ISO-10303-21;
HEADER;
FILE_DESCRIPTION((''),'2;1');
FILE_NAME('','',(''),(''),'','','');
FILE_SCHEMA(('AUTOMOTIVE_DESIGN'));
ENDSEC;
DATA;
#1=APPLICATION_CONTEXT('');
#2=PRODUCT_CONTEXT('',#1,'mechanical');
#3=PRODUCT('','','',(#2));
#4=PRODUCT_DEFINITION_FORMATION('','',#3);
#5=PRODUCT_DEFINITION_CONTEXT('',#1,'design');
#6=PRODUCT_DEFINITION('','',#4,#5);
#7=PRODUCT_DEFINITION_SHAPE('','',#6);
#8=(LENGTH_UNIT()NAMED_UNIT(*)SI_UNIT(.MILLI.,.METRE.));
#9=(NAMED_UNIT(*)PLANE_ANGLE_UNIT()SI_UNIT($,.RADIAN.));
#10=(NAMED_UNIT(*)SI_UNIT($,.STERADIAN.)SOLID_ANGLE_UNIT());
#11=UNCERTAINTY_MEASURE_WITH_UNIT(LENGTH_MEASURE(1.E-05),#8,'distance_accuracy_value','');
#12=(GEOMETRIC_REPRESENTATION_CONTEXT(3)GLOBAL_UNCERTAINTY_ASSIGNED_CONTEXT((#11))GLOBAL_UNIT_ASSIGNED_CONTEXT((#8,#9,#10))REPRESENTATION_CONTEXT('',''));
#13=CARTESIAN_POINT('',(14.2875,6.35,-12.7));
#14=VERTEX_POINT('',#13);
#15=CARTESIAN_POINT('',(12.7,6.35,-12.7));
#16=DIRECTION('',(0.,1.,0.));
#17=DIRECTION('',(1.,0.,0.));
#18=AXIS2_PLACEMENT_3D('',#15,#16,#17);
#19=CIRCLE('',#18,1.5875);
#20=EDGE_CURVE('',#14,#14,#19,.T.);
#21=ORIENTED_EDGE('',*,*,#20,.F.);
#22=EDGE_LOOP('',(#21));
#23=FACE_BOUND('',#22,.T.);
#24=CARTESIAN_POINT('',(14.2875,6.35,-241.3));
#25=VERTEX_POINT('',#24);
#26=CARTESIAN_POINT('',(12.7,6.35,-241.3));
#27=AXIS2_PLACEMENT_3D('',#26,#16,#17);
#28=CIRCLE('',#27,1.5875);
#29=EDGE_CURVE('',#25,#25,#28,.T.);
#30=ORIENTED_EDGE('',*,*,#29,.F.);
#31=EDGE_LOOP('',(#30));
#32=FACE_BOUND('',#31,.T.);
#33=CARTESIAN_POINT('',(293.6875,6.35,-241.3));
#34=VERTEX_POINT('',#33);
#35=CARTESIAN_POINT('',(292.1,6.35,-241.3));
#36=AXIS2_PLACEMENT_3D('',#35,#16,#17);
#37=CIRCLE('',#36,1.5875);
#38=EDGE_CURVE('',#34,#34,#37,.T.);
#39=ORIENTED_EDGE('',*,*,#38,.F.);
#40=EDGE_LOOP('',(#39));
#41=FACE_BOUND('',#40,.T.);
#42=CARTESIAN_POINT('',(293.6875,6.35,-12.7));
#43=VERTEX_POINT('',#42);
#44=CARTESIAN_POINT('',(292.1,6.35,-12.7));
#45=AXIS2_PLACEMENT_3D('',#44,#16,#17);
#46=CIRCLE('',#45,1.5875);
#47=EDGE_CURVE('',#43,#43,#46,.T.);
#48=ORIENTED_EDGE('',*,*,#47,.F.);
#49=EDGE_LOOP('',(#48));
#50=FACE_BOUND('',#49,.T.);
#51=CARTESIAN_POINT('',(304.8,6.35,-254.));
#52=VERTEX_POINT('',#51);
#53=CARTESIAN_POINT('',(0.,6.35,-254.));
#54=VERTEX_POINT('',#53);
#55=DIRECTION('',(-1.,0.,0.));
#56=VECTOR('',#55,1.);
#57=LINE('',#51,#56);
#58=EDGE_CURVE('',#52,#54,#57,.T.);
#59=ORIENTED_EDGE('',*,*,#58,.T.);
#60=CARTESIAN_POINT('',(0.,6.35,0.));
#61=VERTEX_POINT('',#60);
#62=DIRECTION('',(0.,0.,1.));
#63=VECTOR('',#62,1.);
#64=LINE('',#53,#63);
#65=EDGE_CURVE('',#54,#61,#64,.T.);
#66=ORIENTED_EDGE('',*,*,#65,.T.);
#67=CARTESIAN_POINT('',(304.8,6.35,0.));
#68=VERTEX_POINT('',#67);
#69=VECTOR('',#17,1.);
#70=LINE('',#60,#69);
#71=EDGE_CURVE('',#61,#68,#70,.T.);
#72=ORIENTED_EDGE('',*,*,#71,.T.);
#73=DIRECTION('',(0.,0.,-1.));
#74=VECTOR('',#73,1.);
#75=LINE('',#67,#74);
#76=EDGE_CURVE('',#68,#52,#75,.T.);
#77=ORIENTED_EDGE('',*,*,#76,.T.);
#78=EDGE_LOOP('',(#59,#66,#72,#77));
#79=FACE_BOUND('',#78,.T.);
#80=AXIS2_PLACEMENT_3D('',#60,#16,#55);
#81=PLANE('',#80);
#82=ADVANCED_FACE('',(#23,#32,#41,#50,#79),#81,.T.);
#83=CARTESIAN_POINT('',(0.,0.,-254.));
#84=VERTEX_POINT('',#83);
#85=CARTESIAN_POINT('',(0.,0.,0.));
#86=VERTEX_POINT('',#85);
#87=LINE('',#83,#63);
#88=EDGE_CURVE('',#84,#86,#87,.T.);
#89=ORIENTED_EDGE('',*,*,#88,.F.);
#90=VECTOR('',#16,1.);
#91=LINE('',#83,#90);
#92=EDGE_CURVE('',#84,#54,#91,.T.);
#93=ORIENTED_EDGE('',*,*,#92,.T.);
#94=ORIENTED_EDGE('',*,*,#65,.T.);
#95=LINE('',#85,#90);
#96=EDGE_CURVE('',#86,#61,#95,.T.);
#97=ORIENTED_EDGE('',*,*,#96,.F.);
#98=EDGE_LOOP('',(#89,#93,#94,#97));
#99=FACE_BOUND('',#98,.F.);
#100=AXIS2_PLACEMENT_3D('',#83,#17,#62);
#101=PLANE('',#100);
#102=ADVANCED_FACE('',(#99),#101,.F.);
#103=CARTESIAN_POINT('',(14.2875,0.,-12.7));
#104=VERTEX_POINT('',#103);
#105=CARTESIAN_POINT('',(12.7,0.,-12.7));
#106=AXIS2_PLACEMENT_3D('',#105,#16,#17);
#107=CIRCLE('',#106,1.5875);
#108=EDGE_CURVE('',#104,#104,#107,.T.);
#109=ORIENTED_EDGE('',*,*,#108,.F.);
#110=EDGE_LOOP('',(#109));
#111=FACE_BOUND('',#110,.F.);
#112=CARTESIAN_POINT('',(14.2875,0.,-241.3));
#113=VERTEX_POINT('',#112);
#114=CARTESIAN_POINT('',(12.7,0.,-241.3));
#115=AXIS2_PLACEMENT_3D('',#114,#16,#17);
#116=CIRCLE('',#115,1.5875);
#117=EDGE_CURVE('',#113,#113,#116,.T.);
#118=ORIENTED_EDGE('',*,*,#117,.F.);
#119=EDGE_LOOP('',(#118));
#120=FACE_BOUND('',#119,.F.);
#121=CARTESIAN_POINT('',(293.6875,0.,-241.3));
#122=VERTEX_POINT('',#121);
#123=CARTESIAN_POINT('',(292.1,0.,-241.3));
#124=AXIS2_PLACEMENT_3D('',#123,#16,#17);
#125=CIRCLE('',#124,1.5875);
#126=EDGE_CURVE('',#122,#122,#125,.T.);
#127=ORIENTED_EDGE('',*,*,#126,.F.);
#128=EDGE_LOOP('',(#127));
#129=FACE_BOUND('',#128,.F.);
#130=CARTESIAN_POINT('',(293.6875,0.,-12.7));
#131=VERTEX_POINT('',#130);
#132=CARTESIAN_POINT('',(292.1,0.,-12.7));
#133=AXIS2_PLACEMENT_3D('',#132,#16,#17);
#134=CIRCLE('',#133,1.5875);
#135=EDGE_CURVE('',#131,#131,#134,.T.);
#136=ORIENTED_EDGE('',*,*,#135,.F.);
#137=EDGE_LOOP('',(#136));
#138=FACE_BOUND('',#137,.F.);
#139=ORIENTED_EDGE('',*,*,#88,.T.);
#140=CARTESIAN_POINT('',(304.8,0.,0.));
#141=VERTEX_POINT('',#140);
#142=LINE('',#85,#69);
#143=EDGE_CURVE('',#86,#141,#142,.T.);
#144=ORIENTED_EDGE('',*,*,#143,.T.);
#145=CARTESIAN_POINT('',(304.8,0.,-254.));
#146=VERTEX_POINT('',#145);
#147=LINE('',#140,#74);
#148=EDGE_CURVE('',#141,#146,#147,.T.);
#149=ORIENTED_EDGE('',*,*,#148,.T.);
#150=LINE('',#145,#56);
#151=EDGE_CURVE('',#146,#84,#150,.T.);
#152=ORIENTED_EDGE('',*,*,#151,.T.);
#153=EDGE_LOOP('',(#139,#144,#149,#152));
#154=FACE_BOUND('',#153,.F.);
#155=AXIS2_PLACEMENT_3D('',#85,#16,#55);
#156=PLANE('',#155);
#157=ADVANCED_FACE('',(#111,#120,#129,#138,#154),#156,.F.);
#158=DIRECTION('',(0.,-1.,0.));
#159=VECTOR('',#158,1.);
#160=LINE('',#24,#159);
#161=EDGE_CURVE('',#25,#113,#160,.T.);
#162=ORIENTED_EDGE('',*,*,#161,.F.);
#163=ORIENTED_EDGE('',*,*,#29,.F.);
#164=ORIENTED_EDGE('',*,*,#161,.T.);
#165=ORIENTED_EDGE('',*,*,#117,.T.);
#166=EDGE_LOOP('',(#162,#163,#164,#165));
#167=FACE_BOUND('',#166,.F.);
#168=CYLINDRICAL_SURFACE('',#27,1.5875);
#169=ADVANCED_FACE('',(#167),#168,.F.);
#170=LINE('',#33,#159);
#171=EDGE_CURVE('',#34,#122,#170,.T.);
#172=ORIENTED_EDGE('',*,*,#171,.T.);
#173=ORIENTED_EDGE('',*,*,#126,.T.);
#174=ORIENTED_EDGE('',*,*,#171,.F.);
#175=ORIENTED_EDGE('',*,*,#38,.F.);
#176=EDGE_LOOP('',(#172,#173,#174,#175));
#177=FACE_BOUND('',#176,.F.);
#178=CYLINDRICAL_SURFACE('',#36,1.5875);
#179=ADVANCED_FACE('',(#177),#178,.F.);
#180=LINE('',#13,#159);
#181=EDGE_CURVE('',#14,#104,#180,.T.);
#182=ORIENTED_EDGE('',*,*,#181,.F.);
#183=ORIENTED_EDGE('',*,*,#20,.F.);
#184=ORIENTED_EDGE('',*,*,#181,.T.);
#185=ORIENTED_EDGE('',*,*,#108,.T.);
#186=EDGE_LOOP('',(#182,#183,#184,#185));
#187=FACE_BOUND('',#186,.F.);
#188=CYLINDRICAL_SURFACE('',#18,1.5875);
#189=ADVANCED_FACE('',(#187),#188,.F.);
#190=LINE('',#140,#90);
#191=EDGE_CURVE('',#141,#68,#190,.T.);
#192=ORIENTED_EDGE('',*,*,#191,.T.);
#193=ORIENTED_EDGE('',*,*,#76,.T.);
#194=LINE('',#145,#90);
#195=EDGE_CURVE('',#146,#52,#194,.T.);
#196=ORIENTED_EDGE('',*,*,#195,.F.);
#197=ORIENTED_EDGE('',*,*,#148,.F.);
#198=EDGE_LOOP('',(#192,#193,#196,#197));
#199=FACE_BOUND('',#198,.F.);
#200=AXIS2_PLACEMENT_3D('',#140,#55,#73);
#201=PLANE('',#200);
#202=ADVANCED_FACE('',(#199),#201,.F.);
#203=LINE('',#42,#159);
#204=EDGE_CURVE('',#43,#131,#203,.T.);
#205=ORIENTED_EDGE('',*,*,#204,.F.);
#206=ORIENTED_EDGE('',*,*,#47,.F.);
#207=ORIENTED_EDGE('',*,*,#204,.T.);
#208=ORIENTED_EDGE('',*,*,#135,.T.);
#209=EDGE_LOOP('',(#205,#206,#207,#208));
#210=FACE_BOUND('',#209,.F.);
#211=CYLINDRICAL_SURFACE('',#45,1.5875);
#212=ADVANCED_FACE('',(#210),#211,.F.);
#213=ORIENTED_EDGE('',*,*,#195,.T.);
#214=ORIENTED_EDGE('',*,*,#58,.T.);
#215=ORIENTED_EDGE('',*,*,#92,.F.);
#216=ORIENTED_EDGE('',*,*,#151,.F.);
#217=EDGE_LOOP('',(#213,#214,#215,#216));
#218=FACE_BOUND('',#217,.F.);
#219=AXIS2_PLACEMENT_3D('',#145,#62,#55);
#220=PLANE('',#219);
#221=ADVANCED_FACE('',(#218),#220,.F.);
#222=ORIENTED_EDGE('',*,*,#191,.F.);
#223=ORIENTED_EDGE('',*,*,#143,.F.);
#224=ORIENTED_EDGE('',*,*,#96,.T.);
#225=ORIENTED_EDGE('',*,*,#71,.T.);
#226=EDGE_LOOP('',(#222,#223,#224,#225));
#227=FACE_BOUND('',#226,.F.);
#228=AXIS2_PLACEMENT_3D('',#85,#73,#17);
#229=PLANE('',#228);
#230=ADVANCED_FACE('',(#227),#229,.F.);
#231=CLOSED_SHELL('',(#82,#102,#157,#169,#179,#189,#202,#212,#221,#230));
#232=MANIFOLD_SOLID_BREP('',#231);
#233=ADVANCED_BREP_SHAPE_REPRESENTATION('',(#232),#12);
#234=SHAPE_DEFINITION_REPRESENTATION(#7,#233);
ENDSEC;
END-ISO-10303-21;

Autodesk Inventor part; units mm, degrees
ref_plane "YZ Plane" through (0, 0, 0) normal (1, 0, 0) x (0, 1, 0)
ref_plane "XZ Plane" through (0, 0, 0) normal (0, 1, 0) x (-1, 0, 0)
ref_plane "XY Plane" through (0, 0, 0) normal (0, 0, 1) x (1, 0, 0)
sketch "Sketch1" plane through (0, 0, 0) normal (0, 1, 0) x (-1, 0, 0)
  line L0 (-12.7, -1435.0315) -> (292.1, -1435.0315)
  line L1 (292.1, -1435.0315) -> (292.1, -1689.0315)
  line L2 (292.1, -1689.0315) -> (-12.7, -1689.0315)
  line L3 (-12.7, -1689.0315) -> (-12.7, -1435.0315)
  line L4 (0, 0) -> (-304.8, 0)
  line L5 (-304.8, 0) -> (-304.8, -254)
  line L6 (-304.8, -254) -> (0, -254)
  line L7 (0, -254) -> (0, 0)
  dimension "d0" = 304.8
  dimension "d1" = 254
  dimension "d2" = 304.8
  dimension "d3" = 254
extrude "Extrusion1" add sketch "Sketch1" along normal blind 6.35 contours L7 L6 L5 L4
sketch "Sketch2" plane through (0, 6.35, 0) normal (0, 1, 0) x (1, 0, 0)
  circle A0 centre (12.7, 12.7) radius 1.5875
  circle A1 centre (12.7, 241.3) radius 1.5875
  circle A2 centre (292.1, 12.7) radius 1.5875
  circle A3 centre (292.1, 241.3) radius 1.5875
  line L0 (304.8, 254) -> (0, 254) projected
  line L1 (0, 0) -> (304.8, 0) projected
  line L2 (0, 254) -> (0, 0) projected
  line L3 (304.8, 0) -> (304.8, 254) projected
  dimension "d6" = 3.175
  dimension "d7" = 12.7
  dimension "d8" = 12.7
  dimension "d9" = 12.7
  dimension "d10" = 12.7
extrude "Extrusion2" cut sketch "Sketch2" against normal blind 6.35 contours A0 | A1 | A2 | A3
